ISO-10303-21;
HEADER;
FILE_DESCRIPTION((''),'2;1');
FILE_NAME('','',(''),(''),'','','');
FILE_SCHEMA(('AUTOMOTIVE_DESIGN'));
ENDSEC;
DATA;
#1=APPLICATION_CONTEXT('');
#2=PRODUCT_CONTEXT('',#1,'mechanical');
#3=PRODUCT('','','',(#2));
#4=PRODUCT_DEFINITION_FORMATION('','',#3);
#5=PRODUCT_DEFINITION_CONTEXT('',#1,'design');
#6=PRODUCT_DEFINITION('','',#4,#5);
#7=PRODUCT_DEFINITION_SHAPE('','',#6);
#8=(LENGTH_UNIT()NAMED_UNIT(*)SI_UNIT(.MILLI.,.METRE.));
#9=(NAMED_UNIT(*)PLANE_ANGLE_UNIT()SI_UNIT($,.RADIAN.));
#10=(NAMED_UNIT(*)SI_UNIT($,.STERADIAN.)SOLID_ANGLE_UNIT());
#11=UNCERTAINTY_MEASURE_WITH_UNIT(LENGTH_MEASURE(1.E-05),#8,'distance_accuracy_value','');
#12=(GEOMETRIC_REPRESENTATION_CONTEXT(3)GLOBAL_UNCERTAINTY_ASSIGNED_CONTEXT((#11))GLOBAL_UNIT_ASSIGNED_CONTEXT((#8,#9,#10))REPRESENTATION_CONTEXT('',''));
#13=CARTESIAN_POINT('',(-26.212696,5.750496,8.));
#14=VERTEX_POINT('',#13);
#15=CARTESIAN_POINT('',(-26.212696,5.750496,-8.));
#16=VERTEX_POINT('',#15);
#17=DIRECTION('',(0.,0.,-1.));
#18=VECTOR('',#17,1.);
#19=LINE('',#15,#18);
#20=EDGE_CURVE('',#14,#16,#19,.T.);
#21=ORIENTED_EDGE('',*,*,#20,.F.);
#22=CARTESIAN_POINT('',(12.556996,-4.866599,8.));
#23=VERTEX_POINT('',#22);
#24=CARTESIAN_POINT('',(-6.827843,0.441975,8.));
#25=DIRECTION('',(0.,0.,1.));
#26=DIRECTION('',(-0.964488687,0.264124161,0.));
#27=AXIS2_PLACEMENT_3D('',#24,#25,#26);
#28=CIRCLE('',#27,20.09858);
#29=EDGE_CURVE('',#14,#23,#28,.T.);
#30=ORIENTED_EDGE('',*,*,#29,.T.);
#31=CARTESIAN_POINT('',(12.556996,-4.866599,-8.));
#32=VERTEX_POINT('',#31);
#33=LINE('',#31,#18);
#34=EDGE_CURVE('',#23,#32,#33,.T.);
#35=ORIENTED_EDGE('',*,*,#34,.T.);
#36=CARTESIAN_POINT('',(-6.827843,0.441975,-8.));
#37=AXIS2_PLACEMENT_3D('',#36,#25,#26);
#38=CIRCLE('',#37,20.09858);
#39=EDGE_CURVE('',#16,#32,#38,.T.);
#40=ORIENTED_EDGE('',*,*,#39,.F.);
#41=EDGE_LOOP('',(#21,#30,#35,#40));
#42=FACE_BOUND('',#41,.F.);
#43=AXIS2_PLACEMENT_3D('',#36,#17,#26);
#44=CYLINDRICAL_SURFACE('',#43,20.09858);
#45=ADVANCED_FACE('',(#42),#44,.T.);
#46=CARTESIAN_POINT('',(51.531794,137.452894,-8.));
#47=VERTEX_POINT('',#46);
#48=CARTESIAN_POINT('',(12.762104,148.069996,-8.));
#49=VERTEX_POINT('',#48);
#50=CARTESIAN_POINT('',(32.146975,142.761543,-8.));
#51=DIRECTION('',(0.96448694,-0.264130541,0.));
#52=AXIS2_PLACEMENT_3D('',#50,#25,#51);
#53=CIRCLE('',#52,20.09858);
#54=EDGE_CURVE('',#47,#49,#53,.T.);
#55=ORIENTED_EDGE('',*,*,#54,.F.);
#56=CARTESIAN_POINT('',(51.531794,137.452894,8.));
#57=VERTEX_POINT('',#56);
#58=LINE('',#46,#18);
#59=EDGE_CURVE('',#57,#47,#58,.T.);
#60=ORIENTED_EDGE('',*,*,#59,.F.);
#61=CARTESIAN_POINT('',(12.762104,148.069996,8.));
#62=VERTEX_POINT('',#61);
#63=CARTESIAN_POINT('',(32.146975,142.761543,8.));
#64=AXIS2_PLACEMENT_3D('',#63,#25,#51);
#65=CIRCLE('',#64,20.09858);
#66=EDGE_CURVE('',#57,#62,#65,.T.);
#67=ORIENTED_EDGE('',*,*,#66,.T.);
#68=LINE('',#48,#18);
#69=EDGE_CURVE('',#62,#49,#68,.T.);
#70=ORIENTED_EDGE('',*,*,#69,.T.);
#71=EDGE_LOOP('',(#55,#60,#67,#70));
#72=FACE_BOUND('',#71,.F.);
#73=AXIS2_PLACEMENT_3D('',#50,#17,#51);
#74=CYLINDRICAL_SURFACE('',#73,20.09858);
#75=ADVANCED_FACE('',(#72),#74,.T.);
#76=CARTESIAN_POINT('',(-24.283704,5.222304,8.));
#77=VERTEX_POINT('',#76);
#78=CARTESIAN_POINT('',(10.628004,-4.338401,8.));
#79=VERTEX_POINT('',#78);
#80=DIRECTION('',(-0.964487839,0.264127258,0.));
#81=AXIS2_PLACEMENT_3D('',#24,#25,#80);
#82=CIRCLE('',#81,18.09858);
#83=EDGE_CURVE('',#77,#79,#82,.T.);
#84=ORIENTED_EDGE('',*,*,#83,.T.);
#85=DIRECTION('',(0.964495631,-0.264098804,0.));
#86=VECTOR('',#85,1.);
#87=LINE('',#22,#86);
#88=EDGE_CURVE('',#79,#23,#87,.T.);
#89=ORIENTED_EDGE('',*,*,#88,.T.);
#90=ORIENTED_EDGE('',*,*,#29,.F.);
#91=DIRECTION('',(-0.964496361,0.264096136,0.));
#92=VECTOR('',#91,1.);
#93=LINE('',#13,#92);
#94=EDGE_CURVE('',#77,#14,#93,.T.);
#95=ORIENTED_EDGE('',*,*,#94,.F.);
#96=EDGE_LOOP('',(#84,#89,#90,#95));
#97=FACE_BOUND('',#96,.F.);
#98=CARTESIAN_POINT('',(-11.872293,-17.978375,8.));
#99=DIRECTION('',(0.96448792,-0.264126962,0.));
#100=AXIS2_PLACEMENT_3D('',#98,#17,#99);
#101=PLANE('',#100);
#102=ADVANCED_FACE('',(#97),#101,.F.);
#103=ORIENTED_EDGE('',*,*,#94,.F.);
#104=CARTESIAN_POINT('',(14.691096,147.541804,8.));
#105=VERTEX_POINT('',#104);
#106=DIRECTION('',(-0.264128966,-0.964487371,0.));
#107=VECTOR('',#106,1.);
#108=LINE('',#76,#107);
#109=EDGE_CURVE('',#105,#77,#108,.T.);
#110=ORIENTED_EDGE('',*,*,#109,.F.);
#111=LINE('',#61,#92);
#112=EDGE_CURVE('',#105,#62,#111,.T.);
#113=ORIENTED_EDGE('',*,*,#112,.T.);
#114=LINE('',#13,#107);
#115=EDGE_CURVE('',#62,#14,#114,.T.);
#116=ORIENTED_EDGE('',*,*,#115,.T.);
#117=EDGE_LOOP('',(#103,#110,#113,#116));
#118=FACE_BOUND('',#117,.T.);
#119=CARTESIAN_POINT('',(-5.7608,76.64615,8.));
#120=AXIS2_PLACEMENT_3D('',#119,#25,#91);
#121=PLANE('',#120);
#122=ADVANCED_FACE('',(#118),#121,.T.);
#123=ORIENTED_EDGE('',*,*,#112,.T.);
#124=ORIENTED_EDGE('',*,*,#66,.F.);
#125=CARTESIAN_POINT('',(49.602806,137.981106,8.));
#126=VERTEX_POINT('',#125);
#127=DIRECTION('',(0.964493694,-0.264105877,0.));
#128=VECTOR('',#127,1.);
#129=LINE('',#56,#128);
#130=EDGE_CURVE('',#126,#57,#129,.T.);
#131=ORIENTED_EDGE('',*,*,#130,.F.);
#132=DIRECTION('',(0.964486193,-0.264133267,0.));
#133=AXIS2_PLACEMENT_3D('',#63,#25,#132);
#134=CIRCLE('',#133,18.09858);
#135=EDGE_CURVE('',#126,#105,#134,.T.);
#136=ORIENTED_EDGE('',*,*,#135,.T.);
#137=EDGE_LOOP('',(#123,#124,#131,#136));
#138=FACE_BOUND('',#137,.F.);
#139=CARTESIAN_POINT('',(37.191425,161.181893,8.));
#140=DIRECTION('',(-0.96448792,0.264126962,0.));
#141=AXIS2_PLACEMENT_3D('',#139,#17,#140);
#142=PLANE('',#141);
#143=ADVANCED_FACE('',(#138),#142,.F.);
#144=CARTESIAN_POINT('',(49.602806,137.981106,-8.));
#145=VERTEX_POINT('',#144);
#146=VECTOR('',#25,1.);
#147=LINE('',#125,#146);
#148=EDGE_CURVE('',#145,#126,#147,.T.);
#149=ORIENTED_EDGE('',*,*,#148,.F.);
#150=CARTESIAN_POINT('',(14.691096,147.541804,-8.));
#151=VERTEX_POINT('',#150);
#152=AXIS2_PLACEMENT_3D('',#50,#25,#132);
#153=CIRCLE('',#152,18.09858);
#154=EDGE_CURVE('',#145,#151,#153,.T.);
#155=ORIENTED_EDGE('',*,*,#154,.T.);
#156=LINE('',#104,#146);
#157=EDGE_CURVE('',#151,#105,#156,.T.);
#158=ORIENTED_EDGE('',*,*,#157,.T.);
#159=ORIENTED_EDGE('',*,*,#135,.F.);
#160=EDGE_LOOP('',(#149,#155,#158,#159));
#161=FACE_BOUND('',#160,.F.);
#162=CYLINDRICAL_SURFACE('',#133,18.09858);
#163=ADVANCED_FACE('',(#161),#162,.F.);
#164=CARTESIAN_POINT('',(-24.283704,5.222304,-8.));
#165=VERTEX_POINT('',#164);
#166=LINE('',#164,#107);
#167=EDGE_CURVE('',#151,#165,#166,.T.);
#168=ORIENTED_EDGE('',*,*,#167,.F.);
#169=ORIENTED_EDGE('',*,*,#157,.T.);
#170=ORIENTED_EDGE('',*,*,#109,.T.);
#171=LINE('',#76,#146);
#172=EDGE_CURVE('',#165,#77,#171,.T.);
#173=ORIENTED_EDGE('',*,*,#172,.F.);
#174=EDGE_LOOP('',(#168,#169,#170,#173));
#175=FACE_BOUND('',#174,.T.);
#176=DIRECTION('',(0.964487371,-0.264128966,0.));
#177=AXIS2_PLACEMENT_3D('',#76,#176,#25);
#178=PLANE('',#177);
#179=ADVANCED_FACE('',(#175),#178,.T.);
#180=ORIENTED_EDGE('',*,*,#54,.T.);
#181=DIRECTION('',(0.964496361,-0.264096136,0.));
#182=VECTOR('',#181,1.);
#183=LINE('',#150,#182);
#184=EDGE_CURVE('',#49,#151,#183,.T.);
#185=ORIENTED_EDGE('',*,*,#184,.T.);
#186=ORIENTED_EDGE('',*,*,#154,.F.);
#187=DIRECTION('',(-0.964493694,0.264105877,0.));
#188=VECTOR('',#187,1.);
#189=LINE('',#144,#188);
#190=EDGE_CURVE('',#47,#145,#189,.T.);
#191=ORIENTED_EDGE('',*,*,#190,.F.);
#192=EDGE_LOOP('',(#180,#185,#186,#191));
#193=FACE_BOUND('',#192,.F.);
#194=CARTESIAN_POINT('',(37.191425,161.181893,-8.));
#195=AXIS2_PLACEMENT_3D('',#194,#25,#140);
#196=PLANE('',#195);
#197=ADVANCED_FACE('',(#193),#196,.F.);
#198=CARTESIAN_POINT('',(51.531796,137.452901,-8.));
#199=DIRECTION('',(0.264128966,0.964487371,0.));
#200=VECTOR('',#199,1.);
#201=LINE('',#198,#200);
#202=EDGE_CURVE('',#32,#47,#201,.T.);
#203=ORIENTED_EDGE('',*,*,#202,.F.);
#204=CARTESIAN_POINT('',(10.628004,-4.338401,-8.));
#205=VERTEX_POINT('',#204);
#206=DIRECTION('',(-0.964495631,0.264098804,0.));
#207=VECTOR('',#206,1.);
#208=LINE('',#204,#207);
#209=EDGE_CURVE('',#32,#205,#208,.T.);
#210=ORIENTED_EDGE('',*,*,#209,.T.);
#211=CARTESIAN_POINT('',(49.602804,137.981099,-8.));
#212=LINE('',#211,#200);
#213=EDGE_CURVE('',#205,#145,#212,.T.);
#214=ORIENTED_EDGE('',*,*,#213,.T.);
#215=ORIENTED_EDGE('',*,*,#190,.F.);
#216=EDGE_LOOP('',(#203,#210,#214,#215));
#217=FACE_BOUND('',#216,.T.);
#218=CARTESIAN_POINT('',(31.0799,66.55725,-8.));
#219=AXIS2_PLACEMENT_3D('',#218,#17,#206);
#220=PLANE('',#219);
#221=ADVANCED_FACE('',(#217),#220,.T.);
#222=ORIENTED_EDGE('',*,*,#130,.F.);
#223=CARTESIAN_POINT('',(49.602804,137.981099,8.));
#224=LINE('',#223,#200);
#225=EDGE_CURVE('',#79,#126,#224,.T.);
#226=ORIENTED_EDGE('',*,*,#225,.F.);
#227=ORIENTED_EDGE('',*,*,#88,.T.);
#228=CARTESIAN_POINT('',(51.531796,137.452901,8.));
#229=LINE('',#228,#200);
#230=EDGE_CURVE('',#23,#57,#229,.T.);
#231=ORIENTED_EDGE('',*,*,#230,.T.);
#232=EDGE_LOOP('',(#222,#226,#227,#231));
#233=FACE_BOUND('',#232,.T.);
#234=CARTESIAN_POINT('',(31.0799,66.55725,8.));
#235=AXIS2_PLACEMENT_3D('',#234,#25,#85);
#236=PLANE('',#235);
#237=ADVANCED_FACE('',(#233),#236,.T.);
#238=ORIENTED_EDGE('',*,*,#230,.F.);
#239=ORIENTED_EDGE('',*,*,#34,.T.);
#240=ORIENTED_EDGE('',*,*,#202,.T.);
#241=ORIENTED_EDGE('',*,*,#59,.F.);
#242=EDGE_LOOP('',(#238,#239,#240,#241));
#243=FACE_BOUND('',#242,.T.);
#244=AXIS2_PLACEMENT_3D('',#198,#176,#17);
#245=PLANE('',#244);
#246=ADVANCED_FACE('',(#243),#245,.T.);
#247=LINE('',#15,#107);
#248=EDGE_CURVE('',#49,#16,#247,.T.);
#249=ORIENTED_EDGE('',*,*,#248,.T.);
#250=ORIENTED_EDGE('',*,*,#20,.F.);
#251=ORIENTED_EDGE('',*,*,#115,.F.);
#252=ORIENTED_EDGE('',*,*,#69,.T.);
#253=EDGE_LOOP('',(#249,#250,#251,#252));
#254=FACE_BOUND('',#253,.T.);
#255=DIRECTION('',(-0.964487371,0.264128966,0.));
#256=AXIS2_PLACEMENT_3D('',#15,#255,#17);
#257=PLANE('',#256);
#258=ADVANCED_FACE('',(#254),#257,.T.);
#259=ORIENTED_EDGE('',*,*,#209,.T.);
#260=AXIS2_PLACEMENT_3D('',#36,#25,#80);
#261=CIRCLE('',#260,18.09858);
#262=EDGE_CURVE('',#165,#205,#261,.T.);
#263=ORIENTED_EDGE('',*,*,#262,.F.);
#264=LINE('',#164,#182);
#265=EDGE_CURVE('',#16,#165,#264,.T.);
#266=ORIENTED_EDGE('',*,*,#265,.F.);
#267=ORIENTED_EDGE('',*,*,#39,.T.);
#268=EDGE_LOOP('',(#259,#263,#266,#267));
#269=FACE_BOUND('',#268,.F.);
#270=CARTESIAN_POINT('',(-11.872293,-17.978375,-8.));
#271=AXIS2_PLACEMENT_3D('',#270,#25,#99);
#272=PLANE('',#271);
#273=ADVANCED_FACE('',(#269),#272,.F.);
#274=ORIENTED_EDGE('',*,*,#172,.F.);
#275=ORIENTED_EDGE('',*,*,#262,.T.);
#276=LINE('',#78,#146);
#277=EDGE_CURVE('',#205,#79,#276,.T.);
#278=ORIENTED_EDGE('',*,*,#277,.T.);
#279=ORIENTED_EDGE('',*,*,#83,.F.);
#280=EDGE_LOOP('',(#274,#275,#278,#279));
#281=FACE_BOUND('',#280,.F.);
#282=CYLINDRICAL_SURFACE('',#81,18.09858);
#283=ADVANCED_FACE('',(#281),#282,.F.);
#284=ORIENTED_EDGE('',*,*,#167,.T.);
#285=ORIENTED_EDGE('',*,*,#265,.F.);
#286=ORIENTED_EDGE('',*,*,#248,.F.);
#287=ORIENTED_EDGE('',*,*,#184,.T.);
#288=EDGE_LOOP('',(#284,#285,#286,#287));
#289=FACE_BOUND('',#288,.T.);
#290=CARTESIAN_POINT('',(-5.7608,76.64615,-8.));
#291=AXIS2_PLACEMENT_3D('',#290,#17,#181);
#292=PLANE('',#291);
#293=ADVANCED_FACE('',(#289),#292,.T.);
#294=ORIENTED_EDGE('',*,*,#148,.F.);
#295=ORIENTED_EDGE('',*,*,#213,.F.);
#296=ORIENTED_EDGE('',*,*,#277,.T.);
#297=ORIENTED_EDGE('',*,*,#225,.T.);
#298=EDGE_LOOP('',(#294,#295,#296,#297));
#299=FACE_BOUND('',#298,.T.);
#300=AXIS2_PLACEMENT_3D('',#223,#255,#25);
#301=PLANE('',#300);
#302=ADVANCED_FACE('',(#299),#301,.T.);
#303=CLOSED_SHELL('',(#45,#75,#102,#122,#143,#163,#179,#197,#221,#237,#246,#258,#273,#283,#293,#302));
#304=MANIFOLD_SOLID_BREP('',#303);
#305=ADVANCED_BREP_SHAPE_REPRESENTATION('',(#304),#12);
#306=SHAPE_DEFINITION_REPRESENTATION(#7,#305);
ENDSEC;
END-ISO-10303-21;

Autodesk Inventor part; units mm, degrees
sketch "Sketch Path" plane through (0, 0, 0) normal (0, 0, 1) x (1, 0, 0)
  arc A0 (-25.2482, 5.4864) -> (11.5925, -4.6025) centre (-6.8278, 0.442) ccw
  arc A1 (50.5673, 137.717) -> (13.7266, 147.8059) centre (32.1469, 142.7615) ccw
  line L0 (50.5673, 137.717) -> (11.5925, -4.6025)
  line L1 (-25.2482, 5.4864) -> (13.7266, 147.8059)
ref_plane "Cross Section Plane" through (11.5925, -4.6025, 0) normal (0.2641, 0.9645, 0) x (0, 0, 1)
ref_plane "Work Plane2" through (-6.8278, 0.442, 0) normal (0.866, 0.5, 0) x (0, 0, 1)
ref_plane "Work Plane3" through (32.1469, 142.7615, 0) normal (-0.6063, -0.7953, 0) x (0, 0, 1)
sketch "Cross Section" plane through (11.5925, -4.6025, 0) normal (0.2641, 0.9645, 0) x (0, 0, 1)
  line L0 (-8, 1) -> (8, 1)
  line L1 (8, 1) -> (8, -1)
  line L2 (8, -1) -> (-8, -1)
  line L3 (-8, -1) -> (-8, 1)
  line L4 (-8, 0) -> (8, 0) construction
  point P0 (0, 0)
  point P1 (0, 0)
  dimension "d0" = 16
  dimension "d4" = 1
  dimension "d5" = 1
sweep "Belt" add profiles "Cross Section" path "Sketch Path"
equation "\"d0\" = da_B"
equation "\"d4\" = da_a"
equation "\"d5\" = da_a2"
equation "\"da_B\" = 16"
equation "\"da_L\" = 415.11945"
equation "\"da_a\" = 1"
equation "\"da_S\" = 5.3"
equation "\"da_Beta\" = 20deg"
equation "\"da_Ht\" = 2.5"
equation "\"da_H\" = 4.5"
equation "\"da_a2\" = 1"
properties part number "Synchronous Belt" material "Rubber"
